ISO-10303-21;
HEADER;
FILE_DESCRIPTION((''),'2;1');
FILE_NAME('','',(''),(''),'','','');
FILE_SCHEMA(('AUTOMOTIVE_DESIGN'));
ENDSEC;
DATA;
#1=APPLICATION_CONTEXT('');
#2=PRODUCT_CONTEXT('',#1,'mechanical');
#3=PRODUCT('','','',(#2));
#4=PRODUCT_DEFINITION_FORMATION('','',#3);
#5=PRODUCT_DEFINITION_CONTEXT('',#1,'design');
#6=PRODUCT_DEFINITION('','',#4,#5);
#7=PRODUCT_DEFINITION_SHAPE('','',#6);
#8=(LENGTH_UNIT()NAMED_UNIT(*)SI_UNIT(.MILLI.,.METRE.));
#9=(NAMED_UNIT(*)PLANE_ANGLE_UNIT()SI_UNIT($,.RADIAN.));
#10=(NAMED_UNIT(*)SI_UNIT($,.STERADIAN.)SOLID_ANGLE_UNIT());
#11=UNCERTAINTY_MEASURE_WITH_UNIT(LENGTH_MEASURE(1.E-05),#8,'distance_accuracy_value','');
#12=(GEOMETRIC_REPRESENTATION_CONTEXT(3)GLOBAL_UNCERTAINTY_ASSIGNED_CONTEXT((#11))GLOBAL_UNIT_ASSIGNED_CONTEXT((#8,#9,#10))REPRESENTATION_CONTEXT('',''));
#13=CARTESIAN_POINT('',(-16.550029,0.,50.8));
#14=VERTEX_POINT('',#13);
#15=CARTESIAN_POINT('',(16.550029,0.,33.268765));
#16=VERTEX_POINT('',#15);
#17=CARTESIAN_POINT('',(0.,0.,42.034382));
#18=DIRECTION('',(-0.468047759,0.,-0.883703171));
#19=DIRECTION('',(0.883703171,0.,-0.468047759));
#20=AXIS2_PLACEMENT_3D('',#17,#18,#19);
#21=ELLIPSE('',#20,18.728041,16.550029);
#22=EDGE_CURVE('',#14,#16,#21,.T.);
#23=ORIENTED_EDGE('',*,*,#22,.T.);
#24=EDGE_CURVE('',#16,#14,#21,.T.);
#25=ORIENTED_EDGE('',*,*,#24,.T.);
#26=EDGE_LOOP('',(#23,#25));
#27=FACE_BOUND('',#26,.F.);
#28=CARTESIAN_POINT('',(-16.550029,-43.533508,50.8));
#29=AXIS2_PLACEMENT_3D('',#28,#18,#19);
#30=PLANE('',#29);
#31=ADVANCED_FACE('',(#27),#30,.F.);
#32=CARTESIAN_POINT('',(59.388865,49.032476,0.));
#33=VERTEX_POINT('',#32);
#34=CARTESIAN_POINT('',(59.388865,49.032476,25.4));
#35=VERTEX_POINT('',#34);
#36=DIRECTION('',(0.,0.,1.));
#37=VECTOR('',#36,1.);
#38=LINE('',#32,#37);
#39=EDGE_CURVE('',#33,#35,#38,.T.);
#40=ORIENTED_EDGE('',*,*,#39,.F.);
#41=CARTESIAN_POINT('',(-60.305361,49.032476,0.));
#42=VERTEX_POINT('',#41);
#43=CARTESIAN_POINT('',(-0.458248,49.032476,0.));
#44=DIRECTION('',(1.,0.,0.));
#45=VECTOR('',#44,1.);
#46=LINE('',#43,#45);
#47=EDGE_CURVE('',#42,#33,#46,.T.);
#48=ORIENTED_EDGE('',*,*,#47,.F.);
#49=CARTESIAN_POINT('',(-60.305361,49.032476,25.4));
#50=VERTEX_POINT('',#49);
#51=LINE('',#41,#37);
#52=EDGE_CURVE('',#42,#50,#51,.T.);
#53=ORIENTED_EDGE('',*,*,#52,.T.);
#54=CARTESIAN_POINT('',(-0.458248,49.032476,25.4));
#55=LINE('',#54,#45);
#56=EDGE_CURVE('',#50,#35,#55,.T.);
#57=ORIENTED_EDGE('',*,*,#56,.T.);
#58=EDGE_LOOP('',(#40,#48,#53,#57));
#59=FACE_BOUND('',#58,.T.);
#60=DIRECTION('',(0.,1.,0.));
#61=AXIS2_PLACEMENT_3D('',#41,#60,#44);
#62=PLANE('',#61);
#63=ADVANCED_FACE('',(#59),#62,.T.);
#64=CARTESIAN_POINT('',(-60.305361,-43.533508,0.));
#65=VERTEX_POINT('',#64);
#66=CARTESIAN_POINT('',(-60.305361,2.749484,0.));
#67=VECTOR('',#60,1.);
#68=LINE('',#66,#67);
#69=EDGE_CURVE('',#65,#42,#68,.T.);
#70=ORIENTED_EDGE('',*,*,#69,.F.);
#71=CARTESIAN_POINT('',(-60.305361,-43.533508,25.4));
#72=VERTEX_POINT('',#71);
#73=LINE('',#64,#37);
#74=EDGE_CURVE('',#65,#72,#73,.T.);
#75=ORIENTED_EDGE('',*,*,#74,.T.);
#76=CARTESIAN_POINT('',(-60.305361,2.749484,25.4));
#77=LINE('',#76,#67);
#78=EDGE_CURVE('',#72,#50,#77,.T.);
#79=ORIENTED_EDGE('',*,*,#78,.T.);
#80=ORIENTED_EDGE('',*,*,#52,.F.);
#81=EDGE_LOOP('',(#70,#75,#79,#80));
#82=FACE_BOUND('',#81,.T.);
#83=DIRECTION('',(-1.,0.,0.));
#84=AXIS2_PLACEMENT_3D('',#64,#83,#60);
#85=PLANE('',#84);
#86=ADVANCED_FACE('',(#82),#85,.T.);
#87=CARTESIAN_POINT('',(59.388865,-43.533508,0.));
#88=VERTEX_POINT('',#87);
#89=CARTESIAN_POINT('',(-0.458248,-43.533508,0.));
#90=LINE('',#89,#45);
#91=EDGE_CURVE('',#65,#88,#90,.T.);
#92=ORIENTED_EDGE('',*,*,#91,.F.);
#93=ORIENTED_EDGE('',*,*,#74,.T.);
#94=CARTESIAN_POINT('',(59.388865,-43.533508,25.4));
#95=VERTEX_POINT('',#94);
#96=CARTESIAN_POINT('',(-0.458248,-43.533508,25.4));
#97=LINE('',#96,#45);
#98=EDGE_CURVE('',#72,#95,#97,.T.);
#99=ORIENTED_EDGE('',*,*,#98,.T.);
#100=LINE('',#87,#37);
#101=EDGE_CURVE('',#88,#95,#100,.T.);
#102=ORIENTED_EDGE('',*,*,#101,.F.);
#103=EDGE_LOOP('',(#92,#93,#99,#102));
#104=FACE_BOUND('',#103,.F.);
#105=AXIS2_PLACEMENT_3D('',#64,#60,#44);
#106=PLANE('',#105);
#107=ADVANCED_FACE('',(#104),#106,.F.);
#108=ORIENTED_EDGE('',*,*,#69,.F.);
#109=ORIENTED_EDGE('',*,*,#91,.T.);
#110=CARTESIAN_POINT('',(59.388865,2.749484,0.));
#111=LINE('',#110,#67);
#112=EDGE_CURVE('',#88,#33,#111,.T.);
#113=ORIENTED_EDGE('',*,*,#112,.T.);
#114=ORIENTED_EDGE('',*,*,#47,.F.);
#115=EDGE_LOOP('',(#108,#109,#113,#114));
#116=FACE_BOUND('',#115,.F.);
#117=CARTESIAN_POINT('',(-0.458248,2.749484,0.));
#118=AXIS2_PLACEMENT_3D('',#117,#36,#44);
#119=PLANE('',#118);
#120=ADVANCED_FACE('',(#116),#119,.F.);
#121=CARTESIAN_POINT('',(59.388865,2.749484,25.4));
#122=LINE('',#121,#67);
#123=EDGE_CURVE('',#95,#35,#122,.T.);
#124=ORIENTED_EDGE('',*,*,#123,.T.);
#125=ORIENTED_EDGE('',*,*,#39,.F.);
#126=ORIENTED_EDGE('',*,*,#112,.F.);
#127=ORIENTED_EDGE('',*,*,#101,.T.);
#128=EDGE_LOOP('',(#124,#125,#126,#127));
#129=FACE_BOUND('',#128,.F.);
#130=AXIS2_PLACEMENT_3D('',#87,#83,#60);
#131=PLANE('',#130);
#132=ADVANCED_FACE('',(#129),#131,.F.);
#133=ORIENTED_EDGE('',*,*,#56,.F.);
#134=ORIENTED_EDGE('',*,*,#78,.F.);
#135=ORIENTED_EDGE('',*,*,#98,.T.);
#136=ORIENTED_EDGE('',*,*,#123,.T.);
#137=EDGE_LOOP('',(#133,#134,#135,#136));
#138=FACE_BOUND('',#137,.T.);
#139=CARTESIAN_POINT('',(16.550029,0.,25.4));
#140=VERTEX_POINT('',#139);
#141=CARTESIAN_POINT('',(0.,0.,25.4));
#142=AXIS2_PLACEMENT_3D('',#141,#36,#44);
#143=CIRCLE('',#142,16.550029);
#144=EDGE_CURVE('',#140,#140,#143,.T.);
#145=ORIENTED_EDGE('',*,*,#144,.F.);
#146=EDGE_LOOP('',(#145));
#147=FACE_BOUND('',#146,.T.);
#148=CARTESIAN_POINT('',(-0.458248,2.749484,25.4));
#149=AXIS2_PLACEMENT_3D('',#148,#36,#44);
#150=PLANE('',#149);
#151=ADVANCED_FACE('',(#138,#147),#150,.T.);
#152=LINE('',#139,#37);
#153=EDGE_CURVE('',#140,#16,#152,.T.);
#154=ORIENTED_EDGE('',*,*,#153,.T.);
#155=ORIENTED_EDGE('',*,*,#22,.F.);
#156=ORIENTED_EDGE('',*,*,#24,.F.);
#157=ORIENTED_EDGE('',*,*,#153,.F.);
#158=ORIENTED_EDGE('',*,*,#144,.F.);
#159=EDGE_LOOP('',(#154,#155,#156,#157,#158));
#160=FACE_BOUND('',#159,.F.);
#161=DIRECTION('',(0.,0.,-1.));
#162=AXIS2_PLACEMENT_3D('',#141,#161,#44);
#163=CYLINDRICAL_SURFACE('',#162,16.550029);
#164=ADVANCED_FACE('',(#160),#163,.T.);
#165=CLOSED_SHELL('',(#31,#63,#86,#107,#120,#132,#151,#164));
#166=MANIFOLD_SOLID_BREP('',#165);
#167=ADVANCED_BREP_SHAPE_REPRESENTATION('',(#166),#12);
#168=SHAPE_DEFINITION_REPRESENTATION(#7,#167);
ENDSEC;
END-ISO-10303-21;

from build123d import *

# Parameters (mm, degrees)
F0_W     = 119.694226
F0_H     = 92.565984
F1_DEPTH = 25.4
F2_R     = 16.550029
F3_DEPTH = 25.4
F5_DEPTH = 92.566984


with BuildPart() as f1:
    # F0 (on Top) → F1 (new body)
    with BuildSketch(Plane.XY):
        with Locations((-0.458248, 2.749484)):
            Rectangle(F0_W, F0_H)
    extrude(amount=F1_DEPTH)

    # F2 (on face) → F3 (join)
    with BuildSketch(Plane.XY.offset(25.4)):
        Circle(F2_R)
    extrude(amount=F3_DEPTH)

    # F4 (on face) → F5 (cut, through all)
    with BuildSketch(Plane.XZ.offset(43.533508)):
        Polygon((16.550029, 50.8), (-16.550029, 50.8), (16.550029, 33.268765), align=None)
    extrude(amount=-F5_DEPTH, mode=Mode.SUBTRACT)


solid = f1.part
